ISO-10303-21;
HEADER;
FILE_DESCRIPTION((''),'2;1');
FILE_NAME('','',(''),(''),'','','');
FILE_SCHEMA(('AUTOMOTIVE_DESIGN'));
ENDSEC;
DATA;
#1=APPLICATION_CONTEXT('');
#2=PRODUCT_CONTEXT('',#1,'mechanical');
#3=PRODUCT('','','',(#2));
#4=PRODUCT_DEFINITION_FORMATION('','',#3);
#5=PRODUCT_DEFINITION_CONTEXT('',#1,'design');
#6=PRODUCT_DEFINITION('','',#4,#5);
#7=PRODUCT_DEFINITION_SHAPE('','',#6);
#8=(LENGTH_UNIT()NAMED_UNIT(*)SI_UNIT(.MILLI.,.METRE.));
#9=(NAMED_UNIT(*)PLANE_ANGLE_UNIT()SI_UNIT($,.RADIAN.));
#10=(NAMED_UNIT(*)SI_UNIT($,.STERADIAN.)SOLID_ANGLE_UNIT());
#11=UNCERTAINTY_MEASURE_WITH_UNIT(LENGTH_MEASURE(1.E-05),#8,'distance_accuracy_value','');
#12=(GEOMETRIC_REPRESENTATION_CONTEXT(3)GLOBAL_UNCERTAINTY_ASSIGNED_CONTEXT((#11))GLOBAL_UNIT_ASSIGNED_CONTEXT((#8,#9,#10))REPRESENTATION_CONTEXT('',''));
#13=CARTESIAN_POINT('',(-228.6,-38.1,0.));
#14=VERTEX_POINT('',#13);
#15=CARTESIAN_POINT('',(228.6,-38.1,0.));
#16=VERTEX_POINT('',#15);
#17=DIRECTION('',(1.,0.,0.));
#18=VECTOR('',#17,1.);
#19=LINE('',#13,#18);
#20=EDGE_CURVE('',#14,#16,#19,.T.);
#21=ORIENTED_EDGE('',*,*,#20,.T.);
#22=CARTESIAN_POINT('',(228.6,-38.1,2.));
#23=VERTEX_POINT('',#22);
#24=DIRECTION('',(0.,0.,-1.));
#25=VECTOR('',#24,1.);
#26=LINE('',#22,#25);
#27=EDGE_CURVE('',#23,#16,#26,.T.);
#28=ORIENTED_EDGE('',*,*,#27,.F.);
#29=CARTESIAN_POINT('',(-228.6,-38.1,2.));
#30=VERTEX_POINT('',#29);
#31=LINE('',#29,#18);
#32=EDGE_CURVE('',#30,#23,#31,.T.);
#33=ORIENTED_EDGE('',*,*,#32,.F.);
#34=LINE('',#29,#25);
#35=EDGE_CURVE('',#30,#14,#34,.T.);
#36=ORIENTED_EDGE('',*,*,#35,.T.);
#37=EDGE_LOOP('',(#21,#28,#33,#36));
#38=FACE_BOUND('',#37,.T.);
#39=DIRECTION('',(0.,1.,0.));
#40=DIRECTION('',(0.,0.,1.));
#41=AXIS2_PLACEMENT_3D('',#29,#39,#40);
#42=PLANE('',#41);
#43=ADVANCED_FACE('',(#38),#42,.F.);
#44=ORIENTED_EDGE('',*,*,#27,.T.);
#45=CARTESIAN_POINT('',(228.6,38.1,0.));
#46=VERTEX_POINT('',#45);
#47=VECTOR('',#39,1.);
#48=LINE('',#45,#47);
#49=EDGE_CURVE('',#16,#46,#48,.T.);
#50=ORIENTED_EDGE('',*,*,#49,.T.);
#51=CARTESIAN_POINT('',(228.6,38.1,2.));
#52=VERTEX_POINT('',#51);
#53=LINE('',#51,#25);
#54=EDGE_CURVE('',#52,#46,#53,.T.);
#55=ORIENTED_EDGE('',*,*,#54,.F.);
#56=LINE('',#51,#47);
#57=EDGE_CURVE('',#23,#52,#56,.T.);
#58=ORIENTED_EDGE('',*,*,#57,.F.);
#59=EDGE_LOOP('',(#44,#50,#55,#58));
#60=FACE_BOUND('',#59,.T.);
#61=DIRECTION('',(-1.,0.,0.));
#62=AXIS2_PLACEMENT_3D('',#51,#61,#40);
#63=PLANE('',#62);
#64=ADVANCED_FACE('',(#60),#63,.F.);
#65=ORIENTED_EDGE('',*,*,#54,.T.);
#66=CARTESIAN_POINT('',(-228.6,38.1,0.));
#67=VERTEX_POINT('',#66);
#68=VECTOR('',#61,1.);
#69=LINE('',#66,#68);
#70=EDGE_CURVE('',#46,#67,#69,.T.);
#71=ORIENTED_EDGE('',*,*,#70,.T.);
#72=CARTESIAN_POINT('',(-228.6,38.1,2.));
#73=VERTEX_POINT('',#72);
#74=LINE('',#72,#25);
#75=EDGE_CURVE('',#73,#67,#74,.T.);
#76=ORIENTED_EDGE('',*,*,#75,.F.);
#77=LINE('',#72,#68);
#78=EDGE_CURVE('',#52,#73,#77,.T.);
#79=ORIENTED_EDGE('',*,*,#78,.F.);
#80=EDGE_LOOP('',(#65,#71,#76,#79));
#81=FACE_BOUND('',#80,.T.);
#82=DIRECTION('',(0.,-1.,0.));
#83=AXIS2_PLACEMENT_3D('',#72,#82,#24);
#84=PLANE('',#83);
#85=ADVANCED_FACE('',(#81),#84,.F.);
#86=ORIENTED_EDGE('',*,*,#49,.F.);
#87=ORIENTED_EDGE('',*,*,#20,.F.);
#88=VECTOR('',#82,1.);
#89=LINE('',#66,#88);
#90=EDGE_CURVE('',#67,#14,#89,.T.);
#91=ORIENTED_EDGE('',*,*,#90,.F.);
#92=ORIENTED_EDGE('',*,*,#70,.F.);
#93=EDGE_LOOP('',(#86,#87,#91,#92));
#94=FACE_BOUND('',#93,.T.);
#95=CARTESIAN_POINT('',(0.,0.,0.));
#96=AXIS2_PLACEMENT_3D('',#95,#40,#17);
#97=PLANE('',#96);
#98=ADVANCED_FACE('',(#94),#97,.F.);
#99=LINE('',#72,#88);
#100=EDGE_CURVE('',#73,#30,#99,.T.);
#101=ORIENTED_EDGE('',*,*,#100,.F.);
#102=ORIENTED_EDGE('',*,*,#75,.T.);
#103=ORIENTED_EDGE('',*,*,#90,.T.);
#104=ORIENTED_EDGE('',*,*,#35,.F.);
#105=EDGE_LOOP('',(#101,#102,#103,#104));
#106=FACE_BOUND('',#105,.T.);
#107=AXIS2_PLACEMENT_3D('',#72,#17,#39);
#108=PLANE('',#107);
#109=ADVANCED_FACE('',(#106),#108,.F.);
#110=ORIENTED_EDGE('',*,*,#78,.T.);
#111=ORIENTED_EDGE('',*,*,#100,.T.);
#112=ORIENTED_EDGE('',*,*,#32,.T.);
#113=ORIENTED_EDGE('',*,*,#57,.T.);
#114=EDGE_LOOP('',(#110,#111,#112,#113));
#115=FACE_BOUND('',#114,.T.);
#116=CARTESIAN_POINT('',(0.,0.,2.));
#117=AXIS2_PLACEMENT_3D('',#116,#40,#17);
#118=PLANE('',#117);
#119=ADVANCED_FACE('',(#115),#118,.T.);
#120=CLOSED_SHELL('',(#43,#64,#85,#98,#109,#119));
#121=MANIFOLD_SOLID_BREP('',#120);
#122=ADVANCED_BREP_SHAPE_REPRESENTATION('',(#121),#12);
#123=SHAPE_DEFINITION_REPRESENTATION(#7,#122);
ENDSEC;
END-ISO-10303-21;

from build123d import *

# Parameters (mm, degrees)
SKETCH_1_W      = 457.2
SKETCH_1_H      = 76.2
EXTRUDE_1_DEPTH = 2


with BuildPart() as part:
    # Эскиз1 → Бобышка-Вытянуть1 (new body)
    with BuildSketch(Plane.XY):
        Rectangle(SKETCH_1_W, SKETCH_1_H)
    extrude(amount=EXTRUDE_1_DEPTH)


solid = part.part
